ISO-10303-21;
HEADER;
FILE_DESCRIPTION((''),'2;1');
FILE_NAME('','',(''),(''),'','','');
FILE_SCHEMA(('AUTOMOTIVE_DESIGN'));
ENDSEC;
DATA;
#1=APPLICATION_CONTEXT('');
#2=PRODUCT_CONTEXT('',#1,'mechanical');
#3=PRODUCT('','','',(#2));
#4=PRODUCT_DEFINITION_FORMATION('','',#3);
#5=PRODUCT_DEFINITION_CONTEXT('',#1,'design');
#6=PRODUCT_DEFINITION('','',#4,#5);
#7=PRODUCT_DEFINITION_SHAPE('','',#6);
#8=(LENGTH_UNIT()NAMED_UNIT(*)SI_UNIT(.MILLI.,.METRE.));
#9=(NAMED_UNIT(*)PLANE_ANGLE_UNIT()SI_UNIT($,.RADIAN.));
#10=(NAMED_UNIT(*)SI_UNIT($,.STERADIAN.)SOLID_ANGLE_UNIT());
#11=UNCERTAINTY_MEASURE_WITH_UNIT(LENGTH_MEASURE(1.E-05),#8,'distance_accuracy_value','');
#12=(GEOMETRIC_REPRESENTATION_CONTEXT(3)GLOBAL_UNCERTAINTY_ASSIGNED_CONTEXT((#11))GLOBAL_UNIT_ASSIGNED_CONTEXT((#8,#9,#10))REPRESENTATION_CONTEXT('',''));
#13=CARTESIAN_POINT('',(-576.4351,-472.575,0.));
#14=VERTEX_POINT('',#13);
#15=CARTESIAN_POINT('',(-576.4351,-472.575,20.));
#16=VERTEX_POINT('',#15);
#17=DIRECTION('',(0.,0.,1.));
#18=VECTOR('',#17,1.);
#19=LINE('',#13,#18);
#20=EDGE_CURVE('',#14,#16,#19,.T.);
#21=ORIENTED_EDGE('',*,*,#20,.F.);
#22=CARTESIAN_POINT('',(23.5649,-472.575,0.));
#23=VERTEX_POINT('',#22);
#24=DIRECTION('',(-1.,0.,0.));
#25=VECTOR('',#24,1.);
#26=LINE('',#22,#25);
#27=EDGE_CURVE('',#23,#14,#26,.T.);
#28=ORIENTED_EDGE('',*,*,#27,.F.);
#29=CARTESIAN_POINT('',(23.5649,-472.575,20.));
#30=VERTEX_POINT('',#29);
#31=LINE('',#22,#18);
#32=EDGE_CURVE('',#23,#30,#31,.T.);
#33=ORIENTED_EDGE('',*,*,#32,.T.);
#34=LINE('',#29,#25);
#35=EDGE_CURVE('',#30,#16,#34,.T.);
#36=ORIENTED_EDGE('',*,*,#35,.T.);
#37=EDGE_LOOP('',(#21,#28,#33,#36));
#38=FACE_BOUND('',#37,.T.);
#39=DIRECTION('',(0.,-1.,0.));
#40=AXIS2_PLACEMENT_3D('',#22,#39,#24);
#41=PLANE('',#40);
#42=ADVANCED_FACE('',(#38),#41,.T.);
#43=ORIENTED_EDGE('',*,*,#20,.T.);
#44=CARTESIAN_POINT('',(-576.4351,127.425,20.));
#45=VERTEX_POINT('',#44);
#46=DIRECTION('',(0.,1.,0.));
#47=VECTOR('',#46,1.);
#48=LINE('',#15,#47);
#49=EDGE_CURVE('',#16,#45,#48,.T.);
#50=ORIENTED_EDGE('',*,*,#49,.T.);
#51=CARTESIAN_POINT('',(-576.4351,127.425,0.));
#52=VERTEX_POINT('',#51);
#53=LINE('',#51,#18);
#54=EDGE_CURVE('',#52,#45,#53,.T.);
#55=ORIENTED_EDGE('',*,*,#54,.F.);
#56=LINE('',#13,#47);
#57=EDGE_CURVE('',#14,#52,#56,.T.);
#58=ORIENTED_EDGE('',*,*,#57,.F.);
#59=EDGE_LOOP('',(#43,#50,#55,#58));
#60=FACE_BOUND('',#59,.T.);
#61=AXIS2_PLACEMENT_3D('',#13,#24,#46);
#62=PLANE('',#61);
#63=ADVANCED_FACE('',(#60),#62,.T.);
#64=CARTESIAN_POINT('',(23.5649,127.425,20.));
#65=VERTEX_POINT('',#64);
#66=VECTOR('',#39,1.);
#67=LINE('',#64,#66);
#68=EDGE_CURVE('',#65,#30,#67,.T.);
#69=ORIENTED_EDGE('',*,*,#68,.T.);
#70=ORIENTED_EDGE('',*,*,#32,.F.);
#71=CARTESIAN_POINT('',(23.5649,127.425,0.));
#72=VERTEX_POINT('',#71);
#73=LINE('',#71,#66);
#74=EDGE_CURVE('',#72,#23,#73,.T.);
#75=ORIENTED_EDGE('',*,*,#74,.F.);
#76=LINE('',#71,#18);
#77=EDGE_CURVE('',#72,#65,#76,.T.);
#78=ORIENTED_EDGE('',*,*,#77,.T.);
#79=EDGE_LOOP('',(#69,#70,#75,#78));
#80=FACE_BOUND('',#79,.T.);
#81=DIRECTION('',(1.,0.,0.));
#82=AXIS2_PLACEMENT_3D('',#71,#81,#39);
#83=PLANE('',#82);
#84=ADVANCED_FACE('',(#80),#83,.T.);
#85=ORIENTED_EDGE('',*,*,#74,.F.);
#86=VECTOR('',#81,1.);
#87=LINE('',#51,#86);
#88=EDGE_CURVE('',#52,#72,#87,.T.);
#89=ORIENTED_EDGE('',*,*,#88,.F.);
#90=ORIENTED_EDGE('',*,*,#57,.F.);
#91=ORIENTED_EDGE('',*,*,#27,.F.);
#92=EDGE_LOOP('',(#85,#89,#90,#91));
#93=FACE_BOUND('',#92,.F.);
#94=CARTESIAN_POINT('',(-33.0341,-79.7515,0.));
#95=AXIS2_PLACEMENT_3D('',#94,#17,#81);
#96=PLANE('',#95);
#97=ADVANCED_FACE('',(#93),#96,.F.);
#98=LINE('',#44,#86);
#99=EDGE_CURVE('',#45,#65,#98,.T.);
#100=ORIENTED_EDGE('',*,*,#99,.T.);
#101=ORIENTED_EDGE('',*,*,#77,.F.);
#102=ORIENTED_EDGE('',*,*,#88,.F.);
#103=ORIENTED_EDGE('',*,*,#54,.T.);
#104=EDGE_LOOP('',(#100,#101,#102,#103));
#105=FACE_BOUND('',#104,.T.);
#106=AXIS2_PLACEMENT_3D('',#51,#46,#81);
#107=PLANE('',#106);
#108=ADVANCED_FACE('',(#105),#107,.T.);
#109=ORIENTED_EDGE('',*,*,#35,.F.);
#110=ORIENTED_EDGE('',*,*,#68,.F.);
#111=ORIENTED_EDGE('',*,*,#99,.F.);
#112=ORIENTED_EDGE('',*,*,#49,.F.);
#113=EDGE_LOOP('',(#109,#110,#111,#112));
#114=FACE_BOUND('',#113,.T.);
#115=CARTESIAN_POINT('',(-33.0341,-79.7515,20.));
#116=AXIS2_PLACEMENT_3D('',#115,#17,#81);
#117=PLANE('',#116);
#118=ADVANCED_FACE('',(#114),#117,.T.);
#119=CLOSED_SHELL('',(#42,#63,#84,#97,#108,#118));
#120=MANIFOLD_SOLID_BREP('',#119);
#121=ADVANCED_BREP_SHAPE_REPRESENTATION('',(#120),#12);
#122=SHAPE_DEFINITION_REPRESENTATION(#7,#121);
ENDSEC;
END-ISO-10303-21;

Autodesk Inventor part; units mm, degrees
ref_plane "YZ Plane" through (0, 0, 0) normal (1, 0, 0) x (0, 1, 0)
ref_plane "XZ Plane" through (0, 0, 0) normal (0, 1, 0) x (-1, 0, 0)
ref_plane "Work Plane1" through (-33.0341, -79.7515, 0) normal (0, 0, 1) x (1, 0, 0)
sketch "Sketch1" plane through (-33.0341, -79.7515, 0) normal (0, 0, 1) x (1, 0, 0)
  line L0 (56.599, -392.8235) -> (56.599, -157.4952) construction
  line L1 (23.5648, -107.9033) -> (23.5648, 127.425) construction
  line L2 (56.599, -392.8235) -> (-543.401, -392.8235)
  line L3 (-543.401, -392.8235) -> (-543.401, 207.1765)
  line L4 (-543.401, 207.1765) -> (56.599, 207.1765)
  line L5 (56.599, 207.1765) -> (56.599, -392.8235)
  point P0 (33.0341, 79.7515)
  dimension "d0" = 600
  dimension "d1" = 600
extrude "Extrusion1" add sketch "Sketch1" along normal blind 20
properties part number "base" material "Wood (Birch)"
